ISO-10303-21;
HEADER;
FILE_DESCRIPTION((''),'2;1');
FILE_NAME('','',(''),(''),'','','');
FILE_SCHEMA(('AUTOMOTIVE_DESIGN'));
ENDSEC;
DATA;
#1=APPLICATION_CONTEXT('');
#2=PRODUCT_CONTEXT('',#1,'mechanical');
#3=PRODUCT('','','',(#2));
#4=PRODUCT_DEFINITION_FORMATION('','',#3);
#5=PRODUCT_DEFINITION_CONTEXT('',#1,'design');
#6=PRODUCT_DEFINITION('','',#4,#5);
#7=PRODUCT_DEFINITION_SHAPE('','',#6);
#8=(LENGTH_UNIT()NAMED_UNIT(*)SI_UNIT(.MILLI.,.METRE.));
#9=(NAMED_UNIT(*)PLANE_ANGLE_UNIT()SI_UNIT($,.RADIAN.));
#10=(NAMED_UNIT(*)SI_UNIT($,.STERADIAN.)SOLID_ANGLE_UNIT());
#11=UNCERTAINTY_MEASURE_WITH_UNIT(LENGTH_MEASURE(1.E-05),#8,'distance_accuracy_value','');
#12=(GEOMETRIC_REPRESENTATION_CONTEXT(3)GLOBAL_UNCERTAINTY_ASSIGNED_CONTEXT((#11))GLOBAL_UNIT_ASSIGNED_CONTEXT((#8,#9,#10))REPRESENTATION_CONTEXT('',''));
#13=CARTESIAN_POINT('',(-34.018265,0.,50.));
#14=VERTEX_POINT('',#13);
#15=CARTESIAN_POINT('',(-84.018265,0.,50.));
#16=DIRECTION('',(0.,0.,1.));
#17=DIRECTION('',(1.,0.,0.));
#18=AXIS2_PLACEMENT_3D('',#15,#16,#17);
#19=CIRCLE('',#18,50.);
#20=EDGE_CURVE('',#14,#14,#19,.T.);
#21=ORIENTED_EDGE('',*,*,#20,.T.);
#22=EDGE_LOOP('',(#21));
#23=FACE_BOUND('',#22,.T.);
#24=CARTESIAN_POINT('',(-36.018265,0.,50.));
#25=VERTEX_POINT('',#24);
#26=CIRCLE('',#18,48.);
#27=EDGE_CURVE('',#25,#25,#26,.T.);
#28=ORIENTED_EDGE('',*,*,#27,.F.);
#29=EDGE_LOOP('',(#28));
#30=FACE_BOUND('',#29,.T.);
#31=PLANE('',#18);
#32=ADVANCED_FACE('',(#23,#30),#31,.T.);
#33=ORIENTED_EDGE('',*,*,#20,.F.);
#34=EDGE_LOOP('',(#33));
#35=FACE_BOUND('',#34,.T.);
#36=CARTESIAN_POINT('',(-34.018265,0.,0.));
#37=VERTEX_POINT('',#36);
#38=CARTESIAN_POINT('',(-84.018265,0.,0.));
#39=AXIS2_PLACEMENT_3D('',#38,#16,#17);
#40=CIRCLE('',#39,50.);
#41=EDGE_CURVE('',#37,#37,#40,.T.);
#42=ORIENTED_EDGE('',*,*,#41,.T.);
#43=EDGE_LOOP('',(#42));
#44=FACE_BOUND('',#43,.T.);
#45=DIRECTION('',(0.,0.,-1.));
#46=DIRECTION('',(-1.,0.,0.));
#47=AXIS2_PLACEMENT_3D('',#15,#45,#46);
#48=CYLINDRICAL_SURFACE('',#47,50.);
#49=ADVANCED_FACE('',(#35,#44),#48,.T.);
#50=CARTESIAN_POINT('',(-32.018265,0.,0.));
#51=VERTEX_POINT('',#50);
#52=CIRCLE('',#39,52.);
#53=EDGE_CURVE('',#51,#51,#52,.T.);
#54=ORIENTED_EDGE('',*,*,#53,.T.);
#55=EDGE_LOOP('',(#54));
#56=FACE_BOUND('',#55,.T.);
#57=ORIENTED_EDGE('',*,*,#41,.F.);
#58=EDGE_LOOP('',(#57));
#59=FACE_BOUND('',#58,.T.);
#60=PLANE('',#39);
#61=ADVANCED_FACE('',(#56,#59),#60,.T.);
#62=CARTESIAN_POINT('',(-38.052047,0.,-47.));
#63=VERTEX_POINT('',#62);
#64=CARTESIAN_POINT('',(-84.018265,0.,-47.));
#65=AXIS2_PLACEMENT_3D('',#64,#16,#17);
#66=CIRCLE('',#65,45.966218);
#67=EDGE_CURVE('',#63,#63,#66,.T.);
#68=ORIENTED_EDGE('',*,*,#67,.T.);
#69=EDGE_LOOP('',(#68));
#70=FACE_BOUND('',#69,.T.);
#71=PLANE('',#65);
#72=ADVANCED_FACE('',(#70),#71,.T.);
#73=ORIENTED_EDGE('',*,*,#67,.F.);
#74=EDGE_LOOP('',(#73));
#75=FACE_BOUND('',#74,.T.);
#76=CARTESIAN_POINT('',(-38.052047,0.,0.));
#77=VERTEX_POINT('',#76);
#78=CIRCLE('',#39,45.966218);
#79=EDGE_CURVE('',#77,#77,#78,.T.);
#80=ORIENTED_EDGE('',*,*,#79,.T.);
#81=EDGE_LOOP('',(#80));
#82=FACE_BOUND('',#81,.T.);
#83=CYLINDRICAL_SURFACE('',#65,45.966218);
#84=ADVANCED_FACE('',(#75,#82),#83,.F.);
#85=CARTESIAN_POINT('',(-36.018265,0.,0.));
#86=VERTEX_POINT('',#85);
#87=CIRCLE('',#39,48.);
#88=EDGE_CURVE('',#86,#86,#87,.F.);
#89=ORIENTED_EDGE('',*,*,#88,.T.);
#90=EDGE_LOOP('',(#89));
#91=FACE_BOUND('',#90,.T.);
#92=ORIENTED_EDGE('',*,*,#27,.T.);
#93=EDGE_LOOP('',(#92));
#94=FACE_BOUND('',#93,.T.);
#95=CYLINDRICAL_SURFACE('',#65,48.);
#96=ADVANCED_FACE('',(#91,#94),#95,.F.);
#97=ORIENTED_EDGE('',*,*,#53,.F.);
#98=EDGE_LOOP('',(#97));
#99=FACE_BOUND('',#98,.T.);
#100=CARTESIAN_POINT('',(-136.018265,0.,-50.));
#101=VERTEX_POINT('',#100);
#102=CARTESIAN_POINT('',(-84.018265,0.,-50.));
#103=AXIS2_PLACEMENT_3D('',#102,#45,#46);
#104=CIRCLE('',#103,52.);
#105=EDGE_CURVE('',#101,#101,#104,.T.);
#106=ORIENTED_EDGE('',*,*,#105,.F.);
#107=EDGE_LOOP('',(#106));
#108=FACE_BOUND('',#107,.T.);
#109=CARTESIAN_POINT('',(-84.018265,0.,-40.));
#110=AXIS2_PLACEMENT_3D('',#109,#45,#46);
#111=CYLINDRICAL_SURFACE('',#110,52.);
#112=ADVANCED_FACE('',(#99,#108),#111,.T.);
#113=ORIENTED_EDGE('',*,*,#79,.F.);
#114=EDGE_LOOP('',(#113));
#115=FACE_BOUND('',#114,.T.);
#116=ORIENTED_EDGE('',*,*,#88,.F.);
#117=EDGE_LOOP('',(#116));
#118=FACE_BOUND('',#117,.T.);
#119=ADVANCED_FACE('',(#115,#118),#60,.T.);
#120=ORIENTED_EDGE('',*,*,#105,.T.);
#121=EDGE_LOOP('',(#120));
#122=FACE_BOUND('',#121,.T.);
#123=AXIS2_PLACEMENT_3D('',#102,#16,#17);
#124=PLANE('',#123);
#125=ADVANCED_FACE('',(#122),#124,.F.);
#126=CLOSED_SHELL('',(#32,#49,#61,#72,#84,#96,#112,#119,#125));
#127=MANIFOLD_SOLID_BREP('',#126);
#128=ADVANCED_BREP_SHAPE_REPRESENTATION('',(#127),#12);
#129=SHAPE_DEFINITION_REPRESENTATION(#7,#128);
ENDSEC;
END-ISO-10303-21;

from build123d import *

# Parameters (mm, degrees)
CROQUIS1_R              = 50
SALIENTE_EXTRUIR1_DEPTH = 50
CROQUIS2_R              = 52
SALIENTE_EXTRUIR2_DEPTH = 10
CROQUIS3_R              = 48
CORTAR_EXTRUIR1_DEPTH   = 97
CROQUIS4_R              = 52
SALIENTE_EXTRUIR3_DEPTH = 47
CROQUIS5_R              = 45.966217712
CORTAR_EXTRUIR2_DEPTH   = 47


with BuildPart() as part:
    # Croquis1 → Saliente-Extruir1 (new body, symmetric)
    with BuildSketch(Plane.XY):
        with Locations((-84.01826484, 0)):
            Circle(CROQUIS1_R)
    extrude(amount=SALIENTE_EXTRUIR1_DEPTH, both=True)

    # Croquis2 → Saliente-Extruir2 (add)
    with BuildSketch(Plane(origin=(0, 0, -50), x_dir=(-1, 0, 0), z_dir=(0, 0, -1))):
        with Locations((84.01826484, 0)):
            Circle(CROQUIS2_R)
    extrude(amount=-SALIENTE_EXTRUIR2_DEPTH)

    # Croquis3 → Cortar-Extruir1 (cut)
    with BuildSketch(Plane.XY.offset(50)):
        with Locations((-84.01826484, 0)):
            Circle(CROQUIS3_R)
    extrude(amount=-CORTAR_EXTRUIR1_DEPTH, mode=Mode.SUBTRACT)

    # Croquis4 → Saliente-Extruir3 (add)
    with BuildSketch(Plane.XY):
        with Locations((-84.01826484, 0)):
            Circle(CROQUIS4_R)
    extrude(amount=-SALIENTE_EXTRUIR3_DEPTH)

    # Croquis5 → Cortar-Extruir2 (cut)
    with BuildSketch(Plane.XY):
        with Locations((-84.01826484, 0)):
            Circle(CROQUIS5_R)
    extrude(amount=-CORTAR_EXTRUIR2_DEPTH, mode=Mode.SUBTRACT)


solid = part.part
